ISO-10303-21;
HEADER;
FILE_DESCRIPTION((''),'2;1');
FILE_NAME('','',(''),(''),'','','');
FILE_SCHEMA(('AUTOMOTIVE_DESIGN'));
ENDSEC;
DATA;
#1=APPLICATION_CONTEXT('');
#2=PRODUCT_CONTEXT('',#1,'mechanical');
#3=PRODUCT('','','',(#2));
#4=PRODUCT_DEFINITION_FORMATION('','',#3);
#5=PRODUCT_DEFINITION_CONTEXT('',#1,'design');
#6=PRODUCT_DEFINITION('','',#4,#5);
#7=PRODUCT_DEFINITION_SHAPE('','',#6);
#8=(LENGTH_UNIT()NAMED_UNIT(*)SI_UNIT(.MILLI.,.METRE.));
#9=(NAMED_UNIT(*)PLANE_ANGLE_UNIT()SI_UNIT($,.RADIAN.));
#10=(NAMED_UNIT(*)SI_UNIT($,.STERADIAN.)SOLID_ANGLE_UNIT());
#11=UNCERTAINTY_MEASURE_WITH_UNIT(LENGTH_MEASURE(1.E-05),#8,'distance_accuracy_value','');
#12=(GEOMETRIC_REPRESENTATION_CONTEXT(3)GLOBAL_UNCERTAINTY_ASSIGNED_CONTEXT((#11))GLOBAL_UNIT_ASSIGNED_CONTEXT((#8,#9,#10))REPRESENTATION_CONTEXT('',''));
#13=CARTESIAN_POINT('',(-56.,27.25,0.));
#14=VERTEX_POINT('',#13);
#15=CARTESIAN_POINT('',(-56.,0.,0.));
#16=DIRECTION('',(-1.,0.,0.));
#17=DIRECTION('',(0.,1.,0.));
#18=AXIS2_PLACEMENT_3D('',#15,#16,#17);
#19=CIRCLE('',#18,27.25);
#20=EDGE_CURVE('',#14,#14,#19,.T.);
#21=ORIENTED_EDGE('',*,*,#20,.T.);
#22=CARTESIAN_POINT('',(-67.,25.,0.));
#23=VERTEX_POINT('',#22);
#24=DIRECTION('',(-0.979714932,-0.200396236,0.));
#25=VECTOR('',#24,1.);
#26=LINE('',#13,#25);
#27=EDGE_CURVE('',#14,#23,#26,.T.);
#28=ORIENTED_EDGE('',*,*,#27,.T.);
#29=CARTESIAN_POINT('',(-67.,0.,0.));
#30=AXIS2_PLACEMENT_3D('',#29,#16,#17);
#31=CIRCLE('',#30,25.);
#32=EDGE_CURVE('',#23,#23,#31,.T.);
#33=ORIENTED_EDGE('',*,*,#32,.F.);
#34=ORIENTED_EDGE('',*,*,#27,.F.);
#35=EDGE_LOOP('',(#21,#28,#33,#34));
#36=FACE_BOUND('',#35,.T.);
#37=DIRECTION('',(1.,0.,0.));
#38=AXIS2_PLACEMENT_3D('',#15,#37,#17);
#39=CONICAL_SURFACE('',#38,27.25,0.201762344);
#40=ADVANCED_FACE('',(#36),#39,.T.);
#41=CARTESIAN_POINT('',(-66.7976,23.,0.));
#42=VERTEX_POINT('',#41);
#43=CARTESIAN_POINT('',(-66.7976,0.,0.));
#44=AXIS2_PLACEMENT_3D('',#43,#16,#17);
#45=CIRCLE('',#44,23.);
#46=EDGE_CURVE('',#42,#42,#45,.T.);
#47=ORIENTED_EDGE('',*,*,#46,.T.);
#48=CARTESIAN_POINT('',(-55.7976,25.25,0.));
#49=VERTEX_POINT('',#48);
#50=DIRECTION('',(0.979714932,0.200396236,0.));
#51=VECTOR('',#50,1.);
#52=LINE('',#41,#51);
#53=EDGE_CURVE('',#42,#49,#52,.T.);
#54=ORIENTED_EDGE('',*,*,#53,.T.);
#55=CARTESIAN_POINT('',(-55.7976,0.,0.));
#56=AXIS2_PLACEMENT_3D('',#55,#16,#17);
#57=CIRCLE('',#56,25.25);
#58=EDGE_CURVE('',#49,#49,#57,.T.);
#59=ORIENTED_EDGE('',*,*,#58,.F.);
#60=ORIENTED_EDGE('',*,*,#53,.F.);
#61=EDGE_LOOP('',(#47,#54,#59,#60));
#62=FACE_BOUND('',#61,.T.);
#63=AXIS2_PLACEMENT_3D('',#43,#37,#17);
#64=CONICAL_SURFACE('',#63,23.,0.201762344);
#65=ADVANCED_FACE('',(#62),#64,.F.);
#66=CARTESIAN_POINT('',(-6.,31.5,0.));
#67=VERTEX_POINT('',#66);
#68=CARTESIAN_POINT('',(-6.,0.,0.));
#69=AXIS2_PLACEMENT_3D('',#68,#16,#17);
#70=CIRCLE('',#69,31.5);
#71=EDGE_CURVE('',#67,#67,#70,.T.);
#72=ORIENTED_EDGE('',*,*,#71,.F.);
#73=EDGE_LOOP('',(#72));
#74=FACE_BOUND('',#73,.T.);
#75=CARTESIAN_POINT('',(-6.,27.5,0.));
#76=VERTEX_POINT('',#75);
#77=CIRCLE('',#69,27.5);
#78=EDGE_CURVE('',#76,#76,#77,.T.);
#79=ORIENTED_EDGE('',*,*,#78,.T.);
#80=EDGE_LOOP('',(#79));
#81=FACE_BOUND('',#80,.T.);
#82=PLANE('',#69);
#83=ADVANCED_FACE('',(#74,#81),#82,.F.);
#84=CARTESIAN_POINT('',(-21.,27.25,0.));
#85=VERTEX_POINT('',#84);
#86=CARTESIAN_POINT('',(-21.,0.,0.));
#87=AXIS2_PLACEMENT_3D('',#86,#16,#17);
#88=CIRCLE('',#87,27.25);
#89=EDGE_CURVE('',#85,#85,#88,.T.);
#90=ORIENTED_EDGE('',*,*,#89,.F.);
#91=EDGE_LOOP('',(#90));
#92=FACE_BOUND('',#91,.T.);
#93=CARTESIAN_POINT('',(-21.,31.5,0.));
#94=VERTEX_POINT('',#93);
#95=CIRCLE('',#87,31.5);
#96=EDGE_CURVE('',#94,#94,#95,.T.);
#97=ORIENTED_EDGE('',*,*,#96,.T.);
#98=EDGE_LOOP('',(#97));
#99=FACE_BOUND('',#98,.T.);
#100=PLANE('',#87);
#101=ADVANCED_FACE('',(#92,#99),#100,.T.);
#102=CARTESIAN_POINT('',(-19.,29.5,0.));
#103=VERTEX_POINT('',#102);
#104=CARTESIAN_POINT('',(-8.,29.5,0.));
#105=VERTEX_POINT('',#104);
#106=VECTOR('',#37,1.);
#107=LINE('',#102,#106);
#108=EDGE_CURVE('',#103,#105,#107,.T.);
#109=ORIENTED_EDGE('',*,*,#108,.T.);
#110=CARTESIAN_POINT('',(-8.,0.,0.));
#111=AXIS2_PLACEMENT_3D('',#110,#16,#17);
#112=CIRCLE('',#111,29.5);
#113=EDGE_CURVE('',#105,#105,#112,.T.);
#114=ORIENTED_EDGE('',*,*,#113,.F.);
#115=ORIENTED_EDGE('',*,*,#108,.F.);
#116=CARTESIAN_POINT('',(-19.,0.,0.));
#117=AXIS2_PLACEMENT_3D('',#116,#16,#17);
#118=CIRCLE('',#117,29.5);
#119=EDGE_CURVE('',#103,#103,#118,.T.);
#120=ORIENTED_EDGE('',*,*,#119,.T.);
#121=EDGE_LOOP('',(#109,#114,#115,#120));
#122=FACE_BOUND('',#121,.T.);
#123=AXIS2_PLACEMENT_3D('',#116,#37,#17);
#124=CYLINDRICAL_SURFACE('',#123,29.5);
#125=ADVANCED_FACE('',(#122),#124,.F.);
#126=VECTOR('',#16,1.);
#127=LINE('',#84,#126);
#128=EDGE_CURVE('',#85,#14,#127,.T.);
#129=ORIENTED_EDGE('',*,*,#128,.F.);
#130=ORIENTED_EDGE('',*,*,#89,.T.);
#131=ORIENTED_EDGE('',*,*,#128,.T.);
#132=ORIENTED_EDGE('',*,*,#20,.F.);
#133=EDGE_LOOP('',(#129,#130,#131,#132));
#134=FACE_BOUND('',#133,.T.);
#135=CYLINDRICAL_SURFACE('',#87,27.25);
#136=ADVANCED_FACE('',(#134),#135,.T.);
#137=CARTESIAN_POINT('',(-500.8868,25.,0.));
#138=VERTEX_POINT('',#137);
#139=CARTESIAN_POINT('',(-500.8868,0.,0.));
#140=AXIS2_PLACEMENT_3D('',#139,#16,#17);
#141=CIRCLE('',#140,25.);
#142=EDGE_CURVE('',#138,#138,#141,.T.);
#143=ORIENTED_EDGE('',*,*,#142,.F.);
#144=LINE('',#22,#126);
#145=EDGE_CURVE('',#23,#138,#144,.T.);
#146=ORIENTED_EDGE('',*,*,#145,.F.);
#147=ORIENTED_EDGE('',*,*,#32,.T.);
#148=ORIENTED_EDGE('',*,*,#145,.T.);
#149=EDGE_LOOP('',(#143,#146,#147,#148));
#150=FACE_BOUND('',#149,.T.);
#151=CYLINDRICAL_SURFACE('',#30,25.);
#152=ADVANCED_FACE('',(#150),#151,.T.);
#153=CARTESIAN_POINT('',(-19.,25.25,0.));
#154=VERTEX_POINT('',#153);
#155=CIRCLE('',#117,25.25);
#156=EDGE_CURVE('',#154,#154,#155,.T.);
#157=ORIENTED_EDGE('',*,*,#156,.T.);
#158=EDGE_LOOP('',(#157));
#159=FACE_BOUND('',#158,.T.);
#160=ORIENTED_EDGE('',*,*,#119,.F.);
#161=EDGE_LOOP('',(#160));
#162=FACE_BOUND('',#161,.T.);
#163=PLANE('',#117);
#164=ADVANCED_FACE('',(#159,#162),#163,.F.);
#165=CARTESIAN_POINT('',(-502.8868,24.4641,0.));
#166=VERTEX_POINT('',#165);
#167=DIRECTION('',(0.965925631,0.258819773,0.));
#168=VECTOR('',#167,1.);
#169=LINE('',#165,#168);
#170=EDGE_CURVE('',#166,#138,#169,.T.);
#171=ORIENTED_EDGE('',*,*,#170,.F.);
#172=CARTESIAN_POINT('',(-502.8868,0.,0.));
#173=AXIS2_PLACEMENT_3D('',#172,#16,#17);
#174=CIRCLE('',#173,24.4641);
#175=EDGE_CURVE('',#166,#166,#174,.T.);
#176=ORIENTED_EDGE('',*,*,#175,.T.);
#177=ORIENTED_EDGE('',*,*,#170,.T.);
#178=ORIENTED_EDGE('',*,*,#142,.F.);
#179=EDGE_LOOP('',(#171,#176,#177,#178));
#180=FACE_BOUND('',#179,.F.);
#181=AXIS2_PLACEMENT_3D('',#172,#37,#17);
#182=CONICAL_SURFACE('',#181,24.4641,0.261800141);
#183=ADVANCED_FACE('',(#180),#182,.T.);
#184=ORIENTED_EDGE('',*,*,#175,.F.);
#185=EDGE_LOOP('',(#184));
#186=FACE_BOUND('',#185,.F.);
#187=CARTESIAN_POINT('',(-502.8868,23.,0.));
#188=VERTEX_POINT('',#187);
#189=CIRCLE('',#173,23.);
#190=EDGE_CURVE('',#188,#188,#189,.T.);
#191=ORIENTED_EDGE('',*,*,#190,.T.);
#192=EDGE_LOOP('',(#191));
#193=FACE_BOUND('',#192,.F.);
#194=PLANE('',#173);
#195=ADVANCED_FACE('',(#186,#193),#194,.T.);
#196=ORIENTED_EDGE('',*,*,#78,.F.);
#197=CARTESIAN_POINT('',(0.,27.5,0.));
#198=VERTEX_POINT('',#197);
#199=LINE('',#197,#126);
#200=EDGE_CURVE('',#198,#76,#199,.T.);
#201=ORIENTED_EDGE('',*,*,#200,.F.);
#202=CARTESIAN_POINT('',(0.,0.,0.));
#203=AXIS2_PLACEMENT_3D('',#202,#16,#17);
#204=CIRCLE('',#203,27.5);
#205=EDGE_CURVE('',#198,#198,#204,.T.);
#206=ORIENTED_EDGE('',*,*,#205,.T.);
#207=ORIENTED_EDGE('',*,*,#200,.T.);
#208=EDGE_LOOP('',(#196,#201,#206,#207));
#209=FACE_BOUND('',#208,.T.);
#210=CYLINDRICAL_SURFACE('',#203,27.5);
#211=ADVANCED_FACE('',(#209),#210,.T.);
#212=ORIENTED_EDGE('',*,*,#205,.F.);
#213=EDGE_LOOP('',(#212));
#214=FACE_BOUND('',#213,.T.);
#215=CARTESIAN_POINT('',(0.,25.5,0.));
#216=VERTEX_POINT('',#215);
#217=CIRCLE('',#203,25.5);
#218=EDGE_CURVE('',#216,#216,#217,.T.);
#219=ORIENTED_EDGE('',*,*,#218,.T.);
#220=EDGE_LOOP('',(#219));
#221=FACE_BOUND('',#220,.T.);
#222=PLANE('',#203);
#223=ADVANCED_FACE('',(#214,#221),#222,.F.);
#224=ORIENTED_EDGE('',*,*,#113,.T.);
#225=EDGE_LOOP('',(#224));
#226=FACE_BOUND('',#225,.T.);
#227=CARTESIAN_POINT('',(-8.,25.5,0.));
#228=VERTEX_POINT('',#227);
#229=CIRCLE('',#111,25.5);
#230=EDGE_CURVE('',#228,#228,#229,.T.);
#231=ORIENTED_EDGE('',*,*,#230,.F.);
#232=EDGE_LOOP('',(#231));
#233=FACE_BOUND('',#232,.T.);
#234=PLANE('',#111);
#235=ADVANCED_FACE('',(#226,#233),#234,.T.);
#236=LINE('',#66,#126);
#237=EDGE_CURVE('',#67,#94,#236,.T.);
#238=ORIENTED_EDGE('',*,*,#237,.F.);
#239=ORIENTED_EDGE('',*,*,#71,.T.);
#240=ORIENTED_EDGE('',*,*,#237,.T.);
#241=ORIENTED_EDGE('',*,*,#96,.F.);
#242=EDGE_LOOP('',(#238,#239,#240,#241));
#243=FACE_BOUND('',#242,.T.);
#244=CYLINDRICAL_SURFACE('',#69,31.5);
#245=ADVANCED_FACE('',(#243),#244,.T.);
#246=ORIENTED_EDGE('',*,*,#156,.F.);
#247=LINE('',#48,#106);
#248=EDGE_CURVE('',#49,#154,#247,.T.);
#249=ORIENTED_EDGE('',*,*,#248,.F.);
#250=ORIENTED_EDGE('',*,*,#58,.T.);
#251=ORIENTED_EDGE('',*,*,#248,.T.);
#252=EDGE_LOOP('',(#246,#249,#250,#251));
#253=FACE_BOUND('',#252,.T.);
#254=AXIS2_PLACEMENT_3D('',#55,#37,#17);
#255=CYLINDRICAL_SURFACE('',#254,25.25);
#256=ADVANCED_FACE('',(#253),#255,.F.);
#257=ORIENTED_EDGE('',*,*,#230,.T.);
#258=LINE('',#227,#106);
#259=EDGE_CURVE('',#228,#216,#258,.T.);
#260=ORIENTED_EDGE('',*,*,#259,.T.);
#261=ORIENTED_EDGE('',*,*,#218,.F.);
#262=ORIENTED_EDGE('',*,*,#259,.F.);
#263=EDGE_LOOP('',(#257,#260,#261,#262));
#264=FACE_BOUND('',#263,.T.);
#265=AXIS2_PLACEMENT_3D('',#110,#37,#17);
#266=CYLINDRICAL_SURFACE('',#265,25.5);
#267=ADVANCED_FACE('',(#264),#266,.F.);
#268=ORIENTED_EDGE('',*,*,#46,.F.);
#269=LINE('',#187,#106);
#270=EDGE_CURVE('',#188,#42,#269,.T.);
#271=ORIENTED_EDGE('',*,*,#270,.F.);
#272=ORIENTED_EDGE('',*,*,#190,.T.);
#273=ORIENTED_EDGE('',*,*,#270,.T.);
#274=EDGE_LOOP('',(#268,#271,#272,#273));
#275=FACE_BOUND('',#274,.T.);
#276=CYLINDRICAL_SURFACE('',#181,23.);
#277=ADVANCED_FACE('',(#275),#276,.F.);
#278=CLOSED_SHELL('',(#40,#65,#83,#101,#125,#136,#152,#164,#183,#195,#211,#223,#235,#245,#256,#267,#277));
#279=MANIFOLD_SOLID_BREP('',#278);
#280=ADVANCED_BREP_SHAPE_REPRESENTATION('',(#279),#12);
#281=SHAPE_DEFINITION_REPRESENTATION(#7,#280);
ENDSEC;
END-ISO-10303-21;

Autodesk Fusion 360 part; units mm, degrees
sketch "Skizze1" plane through (0, 0, 0) normal (0, 0, 1) x (1, 0, 0)
  line L0 (-502.8868, 23) -> (-66.7976, 23)
  line L1 (-66.7976, 23) -> (-55.7976, 25.25)
  line L2 (-55.7976, 25.25) -> (-19, 25.25)
  line L3 (-19, 25.25) -> (-19, 29.5)
  line L4 (-19, 29.5) -> (-8, 29.5)
  line L5 (-8, 29.5) -> (-8, 25.5)
  line L6 (-8, 25.5) -> (0, 25.5)
  line L7 (0, 27.5) -> (-6, 27.5)
  line L8 (-6, 27.5) -> (-6, 31.5)
  line L9 (-6, 31.5) -> (-21, 31.5)
  line L10 (-21, 31.5) -> (-21, 27.25)
  line L11 (-21, 27.25) -> (-56, 27.25)
  line L12 (-56, 27.25) -> (-67, 25)
  line L13 (-67, 25) -> (-500.8868, 25)
  line L14 (0, 0) -> (-103.5201, 0)
  line L15 (-502.8868, 23) -> (-502.8868, 24.4641)
  line L16 (-502.8868, 24.4641) -> (-500.8868, 25)
  line L17 (0, 25.5) -> (0, 27.5)
  dimension "d2" = 15
  dimension "d3" = 2
  dimension "d4" = 2
  dimension "d5" = 63
  dimension "d6" = 2
  dimension "d7" = 55
  dimension "d8" = 54.5
  dimension "d10" = 50
  dimension "d12" = 2
  dimension "d13" = 2
  dimension "d14" = 2
  dimension "d15" = 35
  dimension "d16" = 46
  dimension "d17" = 2
  dimension "d18" = 2
  dimension "d19" = 15
  dimension "d21" = 6
revolve "Drehen1" add sketch "Skizze1" angle 360 about axis through (0, 0, 0) along (-1, 0, 0)
